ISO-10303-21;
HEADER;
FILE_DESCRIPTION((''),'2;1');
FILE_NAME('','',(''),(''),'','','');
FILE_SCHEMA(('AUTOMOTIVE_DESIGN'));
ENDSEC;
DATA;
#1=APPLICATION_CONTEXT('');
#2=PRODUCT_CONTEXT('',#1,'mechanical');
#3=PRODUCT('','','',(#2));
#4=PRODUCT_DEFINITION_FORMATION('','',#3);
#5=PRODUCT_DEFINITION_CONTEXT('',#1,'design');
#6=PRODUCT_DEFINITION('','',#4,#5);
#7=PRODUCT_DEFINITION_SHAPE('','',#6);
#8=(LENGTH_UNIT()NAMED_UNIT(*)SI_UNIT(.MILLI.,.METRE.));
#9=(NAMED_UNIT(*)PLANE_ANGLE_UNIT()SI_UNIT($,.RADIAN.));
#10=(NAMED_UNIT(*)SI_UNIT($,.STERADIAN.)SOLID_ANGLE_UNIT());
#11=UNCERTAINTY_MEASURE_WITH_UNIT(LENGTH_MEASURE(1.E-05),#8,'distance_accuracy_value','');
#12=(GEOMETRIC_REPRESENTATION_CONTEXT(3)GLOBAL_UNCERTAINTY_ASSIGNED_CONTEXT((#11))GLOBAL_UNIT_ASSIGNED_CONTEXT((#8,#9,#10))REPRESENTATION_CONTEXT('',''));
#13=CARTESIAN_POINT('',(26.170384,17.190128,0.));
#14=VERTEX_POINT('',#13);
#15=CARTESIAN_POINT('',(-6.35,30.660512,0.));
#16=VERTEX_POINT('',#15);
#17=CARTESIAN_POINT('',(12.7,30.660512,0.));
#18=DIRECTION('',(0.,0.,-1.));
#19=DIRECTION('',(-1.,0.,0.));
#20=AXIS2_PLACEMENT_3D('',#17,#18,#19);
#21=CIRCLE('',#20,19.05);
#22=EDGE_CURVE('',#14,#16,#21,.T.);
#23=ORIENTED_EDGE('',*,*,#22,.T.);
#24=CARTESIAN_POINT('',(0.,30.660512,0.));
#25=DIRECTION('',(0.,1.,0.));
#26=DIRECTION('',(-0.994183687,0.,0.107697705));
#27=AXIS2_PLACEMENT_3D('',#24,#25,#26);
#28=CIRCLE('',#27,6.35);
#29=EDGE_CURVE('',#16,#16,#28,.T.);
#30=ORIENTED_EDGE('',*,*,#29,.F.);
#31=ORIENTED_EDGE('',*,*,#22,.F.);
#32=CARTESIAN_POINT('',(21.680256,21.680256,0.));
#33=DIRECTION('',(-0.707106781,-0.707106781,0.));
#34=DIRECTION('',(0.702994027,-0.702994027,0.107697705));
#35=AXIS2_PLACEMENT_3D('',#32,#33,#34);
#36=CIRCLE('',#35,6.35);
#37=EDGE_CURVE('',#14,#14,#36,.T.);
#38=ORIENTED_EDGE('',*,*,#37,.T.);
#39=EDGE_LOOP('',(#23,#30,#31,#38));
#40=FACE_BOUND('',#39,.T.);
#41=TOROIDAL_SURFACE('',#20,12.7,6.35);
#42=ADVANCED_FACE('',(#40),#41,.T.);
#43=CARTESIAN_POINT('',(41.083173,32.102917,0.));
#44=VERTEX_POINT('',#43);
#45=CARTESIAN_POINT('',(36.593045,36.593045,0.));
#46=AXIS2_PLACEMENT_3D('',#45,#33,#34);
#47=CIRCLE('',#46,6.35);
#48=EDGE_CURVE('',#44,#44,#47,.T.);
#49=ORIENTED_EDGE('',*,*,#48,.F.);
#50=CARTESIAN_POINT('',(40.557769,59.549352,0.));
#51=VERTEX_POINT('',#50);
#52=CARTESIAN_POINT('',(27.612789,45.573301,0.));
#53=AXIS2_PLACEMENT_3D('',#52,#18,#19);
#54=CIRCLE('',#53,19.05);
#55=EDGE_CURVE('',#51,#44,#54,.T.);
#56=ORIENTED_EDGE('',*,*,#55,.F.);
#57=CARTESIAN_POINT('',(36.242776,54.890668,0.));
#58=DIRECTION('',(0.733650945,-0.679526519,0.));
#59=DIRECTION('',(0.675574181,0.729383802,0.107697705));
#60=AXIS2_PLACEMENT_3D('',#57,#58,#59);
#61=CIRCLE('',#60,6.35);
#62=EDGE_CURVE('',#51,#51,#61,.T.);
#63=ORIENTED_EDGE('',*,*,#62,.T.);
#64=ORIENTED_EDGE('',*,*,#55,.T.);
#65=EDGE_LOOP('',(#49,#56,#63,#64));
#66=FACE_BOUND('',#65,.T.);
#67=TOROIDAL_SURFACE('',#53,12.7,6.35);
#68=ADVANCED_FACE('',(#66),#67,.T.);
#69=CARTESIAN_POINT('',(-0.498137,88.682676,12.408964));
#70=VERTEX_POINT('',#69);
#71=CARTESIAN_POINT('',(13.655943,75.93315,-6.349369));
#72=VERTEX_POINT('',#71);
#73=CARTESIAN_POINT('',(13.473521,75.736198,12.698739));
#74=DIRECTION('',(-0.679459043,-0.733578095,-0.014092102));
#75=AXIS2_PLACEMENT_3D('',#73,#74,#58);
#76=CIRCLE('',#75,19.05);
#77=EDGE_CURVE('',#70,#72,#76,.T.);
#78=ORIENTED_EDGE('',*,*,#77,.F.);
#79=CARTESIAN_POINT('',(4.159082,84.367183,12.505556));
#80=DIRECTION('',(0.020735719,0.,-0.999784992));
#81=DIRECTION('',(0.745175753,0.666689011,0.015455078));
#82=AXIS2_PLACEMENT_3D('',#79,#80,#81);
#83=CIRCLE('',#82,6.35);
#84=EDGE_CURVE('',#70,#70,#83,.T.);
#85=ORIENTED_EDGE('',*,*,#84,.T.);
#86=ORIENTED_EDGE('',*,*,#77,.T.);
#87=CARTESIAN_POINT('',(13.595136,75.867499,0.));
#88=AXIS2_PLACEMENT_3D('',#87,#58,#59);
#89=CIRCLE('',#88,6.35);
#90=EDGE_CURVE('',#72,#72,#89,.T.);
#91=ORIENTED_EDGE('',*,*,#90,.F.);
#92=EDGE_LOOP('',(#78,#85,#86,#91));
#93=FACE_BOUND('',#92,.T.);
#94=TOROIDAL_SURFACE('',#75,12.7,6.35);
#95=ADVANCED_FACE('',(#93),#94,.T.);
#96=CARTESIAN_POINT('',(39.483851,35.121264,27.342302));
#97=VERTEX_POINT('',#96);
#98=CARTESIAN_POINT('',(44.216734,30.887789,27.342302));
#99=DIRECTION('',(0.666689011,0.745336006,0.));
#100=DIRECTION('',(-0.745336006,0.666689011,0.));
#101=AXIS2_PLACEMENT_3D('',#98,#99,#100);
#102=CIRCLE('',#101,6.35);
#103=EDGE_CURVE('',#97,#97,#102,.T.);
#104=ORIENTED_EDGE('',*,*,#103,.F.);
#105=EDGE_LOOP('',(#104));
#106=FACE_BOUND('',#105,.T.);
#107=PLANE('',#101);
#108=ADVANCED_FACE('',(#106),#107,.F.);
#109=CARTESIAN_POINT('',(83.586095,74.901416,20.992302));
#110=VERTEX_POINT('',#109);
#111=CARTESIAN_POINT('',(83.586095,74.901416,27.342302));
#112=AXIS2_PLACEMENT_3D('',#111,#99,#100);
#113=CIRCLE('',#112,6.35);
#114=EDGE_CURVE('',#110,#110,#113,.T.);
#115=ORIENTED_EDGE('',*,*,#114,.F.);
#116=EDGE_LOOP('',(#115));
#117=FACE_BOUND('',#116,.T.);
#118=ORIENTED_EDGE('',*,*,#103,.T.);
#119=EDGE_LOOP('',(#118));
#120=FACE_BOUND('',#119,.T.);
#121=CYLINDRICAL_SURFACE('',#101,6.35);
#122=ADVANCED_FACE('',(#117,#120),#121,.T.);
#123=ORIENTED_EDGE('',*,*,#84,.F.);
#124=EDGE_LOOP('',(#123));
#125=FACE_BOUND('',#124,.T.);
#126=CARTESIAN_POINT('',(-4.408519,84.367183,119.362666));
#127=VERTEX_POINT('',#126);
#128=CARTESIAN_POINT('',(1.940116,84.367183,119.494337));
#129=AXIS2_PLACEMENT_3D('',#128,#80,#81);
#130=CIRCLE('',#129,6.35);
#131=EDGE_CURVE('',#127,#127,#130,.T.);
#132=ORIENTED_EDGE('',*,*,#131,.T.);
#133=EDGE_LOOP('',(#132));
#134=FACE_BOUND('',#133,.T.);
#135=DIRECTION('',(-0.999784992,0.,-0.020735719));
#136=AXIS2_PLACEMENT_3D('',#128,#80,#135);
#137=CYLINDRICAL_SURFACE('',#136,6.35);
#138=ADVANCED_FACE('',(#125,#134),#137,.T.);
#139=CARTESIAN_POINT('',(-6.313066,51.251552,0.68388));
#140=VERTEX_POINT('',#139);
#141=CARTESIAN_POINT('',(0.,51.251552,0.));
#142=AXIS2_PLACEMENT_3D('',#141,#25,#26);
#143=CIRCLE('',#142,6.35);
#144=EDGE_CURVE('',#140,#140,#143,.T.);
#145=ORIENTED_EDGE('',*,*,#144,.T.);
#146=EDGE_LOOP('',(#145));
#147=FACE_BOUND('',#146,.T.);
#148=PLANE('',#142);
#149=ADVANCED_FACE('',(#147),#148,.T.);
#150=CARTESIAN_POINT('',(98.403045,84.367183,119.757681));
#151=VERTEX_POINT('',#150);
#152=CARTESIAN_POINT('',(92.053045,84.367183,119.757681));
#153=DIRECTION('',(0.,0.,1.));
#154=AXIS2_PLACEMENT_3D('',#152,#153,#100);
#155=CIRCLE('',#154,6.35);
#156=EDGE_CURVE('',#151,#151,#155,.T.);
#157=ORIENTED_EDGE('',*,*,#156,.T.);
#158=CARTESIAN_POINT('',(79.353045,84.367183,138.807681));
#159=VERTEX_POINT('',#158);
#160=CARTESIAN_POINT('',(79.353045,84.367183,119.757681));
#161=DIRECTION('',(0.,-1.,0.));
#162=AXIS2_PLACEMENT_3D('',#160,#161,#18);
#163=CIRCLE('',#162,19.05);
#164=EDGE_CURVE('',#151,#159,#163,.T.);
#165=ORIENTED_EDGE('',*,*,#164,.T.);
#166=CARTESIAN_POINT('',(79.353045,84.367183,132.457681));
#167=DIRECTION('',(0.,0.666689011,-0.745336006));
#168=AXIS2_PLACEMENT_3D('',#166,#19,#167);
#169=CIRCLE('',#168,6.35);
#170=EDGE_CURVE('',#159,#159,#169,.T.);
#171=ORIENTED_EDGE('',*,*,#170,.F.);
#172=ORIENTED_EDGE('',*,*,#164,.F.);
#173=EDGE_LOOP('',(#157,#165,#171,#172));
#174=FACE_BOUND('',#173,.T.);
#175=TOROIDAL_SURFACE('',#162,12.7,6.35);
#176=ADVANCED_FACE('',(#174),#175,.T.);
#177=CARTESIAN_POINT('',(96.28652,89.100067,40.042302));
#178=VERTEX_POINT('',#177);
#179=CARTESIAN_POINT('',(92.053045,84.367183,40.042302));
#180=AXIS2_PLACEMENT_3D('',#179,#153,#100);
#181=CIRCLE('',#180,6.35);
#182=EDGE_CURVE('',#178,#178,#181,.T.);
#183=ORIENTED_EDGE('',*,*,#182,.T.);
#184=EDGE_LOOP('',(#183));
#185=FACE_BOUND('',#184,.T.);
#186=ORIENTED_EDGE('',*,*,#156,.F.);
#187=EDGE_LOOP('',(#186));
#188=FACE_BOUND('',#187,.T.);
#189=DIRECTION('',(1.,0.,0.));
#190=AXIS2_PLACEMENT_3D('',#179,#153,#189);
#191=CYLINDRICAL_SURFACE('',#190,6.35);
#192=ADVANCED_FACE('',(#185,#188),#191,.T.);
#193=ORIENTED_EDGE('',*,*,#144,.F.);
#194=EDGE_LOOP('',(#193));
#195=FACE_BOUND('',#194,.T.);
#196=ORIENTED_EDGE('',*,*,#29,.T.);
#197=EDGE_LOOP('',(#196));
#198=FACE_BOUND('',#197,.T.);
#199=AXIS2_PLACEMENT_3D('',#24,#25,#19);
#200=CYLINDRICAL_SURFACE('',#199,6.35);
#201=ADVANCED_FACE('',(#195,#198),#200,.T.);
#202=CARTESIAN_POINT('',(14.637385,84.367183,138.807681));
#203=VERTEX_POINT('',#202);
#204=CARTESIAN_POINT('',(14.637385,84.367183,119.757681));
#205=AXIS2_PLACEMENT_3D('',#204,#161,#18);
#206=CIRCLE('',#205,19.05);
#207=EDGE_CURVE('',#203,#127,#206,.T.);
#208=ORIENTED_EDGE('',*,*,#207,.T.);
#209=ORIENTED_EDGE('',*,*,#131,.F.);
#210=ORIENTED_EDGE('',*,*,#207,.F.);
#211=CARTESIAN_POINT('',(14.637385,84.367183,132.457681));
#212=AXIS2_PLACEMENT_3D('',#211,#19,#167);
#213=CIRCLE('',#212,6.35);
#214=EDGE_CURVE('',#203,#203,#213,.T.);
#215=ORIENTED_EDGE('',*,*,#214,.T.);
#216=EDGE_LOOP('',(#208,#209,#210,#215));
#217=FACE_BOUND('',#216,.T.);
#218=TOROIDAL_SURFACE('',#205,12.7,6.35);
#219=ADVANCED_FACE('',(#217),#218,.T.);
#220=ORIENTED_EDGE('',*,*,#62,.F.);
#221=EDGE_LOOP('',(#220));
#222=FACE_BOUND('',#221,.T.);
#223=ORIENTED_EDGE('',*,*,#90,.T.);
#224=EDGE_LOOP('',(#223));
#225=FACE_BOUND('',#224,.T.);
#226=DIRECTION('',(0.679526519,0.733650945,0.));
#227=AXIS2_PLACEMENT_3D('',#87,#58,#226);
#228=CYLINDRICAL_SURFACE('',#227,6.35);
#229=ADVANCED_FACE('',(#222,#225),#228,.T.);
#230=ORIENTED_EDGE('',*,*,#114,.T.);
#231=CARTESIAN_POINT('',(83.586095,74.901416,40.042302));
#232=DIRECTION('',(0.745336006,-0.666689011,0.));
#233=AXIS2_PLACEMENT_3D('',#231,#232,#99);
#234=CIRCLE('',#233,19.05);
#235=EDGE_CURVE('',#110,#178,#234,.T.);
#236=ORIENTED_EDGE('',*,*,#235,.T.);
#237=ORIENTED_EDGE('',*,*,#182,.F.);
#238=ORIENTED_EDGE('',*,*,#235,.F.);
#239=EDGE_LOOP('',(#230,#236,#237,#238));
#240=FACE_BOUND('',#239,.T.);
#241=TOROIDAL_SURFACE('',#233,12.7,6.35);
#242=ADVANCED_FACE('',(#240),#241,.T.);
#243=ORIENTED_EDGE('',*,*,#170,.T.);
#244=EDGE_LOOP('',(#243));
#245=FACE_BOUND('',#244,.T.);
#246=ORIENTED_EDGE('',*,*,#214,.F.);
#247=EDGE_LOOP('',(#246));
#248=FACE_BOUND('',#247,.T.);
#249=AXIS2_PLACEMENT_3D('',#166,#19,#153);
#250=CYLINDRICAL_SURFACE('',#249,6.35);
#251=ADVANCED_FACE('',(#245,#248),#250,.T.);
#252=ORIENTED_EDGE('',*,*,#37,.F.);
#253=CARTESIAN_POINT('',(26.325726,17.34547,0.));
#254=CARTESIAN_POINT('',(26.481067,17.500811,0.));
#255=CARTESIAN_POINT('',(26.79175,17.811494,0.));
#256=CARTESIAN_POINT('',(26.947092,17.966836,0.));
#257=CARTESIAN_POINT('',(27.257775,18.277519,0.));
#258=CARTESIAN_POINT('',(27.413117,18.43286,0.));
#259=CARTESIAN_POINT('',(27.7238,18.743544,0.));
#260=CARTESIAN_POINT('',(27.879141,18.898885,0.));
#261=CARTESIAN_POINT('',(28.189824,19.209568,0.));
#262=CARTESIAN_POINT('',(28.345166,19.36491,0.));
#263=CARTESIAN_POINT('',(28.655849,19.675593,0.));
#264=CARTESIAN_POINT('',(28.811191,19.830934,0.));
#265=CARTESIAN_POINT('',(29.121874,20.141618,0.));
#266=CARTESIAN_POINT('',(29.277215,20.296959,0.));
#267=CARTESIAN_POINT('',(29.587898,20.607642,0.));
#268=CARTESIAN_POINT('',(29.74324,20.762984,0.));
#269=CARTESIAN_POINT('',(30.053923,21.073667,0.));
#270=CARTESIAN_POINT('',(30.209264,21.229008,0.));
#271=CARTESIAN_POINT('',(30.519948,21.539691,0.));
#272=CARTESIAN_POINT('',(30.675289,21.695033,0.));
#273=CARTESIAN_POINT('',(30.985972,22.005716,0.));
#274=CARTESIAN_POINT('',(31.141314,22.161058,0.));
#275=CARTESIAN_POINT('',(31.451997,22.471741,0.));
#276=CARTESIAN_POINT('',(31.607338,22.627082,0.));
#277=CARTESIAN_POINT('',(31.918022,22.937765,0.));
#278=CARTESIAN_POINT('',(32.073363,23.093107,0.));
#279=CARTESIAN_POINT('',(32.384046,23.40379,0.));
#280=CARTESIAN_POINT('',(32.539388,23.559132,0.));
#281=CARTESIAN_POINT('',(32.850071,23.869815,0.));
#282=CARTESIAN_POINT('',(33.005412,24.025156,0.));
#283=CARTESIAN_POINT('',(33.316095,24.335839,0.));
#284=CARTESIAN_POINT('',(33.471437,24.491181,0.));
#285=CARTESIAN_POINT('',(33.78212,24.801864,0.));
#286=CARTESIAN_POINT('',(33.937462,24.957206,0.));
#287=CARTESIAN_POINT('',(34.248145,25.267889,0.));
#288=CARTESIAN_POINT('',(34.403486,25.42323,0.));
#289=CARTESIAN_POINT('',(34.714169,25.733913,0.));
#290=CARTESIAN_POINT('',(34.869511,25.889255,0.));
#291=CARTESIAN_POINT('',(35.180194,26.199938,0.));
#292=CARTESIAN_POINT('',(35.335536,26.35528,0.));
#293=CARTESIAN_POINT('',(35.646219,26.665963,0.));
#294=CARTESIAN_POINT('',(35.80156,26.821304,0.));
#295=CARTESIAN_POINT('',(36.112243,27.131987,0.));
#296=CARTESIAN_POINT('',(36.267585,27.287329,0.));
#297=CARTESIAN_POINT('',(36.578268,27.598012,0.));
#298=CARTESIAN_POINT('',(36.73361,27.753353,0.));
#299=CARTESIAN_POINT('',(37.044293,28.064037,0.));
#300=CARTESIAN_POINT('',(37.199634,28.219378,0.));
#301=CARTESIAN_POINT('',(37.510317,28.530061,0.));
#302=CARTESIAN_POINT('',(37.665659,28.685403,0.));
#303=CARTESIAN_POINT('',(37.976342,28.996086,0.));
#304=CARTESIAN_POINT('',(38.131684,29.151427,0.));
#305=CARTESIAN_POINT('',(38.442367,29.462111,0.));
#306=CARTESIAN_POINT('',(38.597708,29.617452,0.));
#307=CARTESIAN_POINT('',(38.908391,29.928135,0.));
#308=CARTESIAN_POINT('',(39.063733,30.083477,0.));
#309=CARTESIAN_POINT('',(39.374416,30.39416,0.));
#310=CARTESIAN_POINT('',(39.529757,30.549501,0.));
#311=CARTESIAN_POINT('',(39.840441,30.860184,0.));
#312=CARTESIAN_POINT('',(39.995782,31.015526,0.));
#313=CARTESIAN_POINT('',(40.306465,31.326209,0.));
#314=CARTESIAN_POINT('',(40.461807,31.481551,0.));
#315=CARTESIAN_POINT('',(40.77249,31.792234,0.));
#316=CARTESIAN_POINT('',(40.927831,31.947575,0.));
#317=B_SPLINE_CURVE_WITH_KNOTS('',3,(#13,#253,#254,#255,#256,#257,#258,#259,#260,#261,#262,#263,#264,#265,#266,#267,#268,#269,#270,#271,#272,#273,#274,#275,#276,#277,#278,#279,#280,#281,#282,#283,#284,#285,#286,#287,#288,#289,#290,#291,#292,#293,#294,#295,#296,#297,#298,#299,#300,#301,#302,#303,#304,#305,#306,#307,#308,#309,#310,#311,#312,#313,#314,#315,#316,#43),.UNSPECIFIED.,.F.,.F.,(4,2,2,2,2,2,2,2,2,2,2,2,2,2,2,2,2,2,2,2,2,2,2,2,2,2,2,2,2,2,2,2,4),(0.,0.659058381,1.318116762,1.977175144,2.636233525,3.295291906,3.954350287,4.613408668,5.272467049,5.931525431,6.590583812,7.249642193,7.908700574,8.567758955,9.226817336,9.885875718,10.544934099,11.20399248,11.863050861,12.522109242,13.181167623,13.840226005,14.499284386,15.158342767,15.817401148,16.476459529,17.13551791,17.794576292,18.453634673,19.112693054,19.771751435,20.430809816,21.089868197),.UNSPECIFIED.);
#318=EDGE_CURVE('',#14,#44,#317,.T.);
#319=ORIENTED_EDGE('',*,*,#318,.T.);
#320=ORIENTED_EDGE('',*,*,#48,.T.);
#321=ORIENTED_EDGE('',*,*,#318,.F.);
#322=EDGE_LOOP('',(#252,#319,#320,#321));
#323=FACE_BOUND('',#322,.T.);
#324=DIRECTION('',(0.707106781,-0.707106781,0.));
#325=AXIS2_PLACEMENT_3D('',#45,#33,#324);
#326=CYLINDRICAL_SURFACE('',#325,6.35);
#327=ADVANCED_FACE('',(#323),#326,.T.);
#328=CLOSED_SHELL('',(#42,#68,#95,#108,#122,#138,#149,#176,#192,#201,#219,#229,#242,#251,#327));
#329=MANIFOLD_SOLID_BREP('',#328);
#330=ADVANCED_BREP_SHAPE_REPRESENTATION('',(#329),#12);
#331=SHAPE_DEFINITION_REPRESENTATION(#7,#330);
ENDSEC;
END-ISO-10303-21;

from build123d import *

# Parameters (mm, degrees)
SWEEP1_PROFILE_R = 6.35


with BuildPart() as part:
    # Sweep1: sweep along a curve in space
    with BuildLine() as sweep1_path:
        Line((0, 30.660512242, 0), (0, 51.251551799, 0))
        ThreePointArc((21.680256121, 21.680256121, 0), (7.839920409, 18.927242179, 0), (0, 30.660512242, 0))
        Line((21.680256121, 21.680256121, 0), (36.593044938, 36.593044938, 0))
        ThreePointArc((36.242775611, 54.890668065, 0), (40.310462498, 45.816371188, 0), (36.593044938, 36.593044938, 0))
        Line((13.595135631, 75.867499161, 0), (36.242775611, 54.890668065, 0))
        ThreePointArc((4.159082285, 84.367183458, 12.505555788), (7.022099563, 81.885473102, 3.65133177), (13.595135631, 75.867499161, 0))
        Line((4.159082285, 84.367183458, 12.505555788), (1.940115876, 84.367183458, 119.494337396))
        ThreePointArc((14.637385273, 84.367183458, 132.457681028), (5.564500833, 84.367183458, 128.64434339), (1.940115876, 84.367183458, 119.494337396))
        Line((14.637385273, 84.367183458, 132.457681028), (79.353045143, 84.367183458, 132.457681028))
        ThreePointArc((92.053045143, 84.367183458, 119.757681028), (88.333301264, 84.367183458, 128.737937149), (79.353045143, 84.367183458, 132.457681028))
        Line((92.053045143, 84.367183458, 119.757681028), (92.053045143, 84.367183458, 40.042301899))
        ThreePointArc((83.5860947, 74.901416178, 27.342301899), (89.573132774, 81.594724411, 31.062045778), (92.053045143, 84.367183458, 40.042301899))
        Line((44.216734329, 30.887788634, 27.342301899), (83.5860947, 74.901416178, 27.342301899))
    # Sweep1 profile (on start of the path) → Sweep1 (sweep)
    with BuildSketch(Plane(origin=(44.216734329, 30.887788634, 27.342301899), x_dir=(0.745336006287207, -0.6666890112577502, 0), z_dir=(0.6666890112577502, 0.745336006287207, 0))):
        Circle(SWEEP1_PROFILE_R)
    sweep(path=sweep1_path.line)


solid = part.part
